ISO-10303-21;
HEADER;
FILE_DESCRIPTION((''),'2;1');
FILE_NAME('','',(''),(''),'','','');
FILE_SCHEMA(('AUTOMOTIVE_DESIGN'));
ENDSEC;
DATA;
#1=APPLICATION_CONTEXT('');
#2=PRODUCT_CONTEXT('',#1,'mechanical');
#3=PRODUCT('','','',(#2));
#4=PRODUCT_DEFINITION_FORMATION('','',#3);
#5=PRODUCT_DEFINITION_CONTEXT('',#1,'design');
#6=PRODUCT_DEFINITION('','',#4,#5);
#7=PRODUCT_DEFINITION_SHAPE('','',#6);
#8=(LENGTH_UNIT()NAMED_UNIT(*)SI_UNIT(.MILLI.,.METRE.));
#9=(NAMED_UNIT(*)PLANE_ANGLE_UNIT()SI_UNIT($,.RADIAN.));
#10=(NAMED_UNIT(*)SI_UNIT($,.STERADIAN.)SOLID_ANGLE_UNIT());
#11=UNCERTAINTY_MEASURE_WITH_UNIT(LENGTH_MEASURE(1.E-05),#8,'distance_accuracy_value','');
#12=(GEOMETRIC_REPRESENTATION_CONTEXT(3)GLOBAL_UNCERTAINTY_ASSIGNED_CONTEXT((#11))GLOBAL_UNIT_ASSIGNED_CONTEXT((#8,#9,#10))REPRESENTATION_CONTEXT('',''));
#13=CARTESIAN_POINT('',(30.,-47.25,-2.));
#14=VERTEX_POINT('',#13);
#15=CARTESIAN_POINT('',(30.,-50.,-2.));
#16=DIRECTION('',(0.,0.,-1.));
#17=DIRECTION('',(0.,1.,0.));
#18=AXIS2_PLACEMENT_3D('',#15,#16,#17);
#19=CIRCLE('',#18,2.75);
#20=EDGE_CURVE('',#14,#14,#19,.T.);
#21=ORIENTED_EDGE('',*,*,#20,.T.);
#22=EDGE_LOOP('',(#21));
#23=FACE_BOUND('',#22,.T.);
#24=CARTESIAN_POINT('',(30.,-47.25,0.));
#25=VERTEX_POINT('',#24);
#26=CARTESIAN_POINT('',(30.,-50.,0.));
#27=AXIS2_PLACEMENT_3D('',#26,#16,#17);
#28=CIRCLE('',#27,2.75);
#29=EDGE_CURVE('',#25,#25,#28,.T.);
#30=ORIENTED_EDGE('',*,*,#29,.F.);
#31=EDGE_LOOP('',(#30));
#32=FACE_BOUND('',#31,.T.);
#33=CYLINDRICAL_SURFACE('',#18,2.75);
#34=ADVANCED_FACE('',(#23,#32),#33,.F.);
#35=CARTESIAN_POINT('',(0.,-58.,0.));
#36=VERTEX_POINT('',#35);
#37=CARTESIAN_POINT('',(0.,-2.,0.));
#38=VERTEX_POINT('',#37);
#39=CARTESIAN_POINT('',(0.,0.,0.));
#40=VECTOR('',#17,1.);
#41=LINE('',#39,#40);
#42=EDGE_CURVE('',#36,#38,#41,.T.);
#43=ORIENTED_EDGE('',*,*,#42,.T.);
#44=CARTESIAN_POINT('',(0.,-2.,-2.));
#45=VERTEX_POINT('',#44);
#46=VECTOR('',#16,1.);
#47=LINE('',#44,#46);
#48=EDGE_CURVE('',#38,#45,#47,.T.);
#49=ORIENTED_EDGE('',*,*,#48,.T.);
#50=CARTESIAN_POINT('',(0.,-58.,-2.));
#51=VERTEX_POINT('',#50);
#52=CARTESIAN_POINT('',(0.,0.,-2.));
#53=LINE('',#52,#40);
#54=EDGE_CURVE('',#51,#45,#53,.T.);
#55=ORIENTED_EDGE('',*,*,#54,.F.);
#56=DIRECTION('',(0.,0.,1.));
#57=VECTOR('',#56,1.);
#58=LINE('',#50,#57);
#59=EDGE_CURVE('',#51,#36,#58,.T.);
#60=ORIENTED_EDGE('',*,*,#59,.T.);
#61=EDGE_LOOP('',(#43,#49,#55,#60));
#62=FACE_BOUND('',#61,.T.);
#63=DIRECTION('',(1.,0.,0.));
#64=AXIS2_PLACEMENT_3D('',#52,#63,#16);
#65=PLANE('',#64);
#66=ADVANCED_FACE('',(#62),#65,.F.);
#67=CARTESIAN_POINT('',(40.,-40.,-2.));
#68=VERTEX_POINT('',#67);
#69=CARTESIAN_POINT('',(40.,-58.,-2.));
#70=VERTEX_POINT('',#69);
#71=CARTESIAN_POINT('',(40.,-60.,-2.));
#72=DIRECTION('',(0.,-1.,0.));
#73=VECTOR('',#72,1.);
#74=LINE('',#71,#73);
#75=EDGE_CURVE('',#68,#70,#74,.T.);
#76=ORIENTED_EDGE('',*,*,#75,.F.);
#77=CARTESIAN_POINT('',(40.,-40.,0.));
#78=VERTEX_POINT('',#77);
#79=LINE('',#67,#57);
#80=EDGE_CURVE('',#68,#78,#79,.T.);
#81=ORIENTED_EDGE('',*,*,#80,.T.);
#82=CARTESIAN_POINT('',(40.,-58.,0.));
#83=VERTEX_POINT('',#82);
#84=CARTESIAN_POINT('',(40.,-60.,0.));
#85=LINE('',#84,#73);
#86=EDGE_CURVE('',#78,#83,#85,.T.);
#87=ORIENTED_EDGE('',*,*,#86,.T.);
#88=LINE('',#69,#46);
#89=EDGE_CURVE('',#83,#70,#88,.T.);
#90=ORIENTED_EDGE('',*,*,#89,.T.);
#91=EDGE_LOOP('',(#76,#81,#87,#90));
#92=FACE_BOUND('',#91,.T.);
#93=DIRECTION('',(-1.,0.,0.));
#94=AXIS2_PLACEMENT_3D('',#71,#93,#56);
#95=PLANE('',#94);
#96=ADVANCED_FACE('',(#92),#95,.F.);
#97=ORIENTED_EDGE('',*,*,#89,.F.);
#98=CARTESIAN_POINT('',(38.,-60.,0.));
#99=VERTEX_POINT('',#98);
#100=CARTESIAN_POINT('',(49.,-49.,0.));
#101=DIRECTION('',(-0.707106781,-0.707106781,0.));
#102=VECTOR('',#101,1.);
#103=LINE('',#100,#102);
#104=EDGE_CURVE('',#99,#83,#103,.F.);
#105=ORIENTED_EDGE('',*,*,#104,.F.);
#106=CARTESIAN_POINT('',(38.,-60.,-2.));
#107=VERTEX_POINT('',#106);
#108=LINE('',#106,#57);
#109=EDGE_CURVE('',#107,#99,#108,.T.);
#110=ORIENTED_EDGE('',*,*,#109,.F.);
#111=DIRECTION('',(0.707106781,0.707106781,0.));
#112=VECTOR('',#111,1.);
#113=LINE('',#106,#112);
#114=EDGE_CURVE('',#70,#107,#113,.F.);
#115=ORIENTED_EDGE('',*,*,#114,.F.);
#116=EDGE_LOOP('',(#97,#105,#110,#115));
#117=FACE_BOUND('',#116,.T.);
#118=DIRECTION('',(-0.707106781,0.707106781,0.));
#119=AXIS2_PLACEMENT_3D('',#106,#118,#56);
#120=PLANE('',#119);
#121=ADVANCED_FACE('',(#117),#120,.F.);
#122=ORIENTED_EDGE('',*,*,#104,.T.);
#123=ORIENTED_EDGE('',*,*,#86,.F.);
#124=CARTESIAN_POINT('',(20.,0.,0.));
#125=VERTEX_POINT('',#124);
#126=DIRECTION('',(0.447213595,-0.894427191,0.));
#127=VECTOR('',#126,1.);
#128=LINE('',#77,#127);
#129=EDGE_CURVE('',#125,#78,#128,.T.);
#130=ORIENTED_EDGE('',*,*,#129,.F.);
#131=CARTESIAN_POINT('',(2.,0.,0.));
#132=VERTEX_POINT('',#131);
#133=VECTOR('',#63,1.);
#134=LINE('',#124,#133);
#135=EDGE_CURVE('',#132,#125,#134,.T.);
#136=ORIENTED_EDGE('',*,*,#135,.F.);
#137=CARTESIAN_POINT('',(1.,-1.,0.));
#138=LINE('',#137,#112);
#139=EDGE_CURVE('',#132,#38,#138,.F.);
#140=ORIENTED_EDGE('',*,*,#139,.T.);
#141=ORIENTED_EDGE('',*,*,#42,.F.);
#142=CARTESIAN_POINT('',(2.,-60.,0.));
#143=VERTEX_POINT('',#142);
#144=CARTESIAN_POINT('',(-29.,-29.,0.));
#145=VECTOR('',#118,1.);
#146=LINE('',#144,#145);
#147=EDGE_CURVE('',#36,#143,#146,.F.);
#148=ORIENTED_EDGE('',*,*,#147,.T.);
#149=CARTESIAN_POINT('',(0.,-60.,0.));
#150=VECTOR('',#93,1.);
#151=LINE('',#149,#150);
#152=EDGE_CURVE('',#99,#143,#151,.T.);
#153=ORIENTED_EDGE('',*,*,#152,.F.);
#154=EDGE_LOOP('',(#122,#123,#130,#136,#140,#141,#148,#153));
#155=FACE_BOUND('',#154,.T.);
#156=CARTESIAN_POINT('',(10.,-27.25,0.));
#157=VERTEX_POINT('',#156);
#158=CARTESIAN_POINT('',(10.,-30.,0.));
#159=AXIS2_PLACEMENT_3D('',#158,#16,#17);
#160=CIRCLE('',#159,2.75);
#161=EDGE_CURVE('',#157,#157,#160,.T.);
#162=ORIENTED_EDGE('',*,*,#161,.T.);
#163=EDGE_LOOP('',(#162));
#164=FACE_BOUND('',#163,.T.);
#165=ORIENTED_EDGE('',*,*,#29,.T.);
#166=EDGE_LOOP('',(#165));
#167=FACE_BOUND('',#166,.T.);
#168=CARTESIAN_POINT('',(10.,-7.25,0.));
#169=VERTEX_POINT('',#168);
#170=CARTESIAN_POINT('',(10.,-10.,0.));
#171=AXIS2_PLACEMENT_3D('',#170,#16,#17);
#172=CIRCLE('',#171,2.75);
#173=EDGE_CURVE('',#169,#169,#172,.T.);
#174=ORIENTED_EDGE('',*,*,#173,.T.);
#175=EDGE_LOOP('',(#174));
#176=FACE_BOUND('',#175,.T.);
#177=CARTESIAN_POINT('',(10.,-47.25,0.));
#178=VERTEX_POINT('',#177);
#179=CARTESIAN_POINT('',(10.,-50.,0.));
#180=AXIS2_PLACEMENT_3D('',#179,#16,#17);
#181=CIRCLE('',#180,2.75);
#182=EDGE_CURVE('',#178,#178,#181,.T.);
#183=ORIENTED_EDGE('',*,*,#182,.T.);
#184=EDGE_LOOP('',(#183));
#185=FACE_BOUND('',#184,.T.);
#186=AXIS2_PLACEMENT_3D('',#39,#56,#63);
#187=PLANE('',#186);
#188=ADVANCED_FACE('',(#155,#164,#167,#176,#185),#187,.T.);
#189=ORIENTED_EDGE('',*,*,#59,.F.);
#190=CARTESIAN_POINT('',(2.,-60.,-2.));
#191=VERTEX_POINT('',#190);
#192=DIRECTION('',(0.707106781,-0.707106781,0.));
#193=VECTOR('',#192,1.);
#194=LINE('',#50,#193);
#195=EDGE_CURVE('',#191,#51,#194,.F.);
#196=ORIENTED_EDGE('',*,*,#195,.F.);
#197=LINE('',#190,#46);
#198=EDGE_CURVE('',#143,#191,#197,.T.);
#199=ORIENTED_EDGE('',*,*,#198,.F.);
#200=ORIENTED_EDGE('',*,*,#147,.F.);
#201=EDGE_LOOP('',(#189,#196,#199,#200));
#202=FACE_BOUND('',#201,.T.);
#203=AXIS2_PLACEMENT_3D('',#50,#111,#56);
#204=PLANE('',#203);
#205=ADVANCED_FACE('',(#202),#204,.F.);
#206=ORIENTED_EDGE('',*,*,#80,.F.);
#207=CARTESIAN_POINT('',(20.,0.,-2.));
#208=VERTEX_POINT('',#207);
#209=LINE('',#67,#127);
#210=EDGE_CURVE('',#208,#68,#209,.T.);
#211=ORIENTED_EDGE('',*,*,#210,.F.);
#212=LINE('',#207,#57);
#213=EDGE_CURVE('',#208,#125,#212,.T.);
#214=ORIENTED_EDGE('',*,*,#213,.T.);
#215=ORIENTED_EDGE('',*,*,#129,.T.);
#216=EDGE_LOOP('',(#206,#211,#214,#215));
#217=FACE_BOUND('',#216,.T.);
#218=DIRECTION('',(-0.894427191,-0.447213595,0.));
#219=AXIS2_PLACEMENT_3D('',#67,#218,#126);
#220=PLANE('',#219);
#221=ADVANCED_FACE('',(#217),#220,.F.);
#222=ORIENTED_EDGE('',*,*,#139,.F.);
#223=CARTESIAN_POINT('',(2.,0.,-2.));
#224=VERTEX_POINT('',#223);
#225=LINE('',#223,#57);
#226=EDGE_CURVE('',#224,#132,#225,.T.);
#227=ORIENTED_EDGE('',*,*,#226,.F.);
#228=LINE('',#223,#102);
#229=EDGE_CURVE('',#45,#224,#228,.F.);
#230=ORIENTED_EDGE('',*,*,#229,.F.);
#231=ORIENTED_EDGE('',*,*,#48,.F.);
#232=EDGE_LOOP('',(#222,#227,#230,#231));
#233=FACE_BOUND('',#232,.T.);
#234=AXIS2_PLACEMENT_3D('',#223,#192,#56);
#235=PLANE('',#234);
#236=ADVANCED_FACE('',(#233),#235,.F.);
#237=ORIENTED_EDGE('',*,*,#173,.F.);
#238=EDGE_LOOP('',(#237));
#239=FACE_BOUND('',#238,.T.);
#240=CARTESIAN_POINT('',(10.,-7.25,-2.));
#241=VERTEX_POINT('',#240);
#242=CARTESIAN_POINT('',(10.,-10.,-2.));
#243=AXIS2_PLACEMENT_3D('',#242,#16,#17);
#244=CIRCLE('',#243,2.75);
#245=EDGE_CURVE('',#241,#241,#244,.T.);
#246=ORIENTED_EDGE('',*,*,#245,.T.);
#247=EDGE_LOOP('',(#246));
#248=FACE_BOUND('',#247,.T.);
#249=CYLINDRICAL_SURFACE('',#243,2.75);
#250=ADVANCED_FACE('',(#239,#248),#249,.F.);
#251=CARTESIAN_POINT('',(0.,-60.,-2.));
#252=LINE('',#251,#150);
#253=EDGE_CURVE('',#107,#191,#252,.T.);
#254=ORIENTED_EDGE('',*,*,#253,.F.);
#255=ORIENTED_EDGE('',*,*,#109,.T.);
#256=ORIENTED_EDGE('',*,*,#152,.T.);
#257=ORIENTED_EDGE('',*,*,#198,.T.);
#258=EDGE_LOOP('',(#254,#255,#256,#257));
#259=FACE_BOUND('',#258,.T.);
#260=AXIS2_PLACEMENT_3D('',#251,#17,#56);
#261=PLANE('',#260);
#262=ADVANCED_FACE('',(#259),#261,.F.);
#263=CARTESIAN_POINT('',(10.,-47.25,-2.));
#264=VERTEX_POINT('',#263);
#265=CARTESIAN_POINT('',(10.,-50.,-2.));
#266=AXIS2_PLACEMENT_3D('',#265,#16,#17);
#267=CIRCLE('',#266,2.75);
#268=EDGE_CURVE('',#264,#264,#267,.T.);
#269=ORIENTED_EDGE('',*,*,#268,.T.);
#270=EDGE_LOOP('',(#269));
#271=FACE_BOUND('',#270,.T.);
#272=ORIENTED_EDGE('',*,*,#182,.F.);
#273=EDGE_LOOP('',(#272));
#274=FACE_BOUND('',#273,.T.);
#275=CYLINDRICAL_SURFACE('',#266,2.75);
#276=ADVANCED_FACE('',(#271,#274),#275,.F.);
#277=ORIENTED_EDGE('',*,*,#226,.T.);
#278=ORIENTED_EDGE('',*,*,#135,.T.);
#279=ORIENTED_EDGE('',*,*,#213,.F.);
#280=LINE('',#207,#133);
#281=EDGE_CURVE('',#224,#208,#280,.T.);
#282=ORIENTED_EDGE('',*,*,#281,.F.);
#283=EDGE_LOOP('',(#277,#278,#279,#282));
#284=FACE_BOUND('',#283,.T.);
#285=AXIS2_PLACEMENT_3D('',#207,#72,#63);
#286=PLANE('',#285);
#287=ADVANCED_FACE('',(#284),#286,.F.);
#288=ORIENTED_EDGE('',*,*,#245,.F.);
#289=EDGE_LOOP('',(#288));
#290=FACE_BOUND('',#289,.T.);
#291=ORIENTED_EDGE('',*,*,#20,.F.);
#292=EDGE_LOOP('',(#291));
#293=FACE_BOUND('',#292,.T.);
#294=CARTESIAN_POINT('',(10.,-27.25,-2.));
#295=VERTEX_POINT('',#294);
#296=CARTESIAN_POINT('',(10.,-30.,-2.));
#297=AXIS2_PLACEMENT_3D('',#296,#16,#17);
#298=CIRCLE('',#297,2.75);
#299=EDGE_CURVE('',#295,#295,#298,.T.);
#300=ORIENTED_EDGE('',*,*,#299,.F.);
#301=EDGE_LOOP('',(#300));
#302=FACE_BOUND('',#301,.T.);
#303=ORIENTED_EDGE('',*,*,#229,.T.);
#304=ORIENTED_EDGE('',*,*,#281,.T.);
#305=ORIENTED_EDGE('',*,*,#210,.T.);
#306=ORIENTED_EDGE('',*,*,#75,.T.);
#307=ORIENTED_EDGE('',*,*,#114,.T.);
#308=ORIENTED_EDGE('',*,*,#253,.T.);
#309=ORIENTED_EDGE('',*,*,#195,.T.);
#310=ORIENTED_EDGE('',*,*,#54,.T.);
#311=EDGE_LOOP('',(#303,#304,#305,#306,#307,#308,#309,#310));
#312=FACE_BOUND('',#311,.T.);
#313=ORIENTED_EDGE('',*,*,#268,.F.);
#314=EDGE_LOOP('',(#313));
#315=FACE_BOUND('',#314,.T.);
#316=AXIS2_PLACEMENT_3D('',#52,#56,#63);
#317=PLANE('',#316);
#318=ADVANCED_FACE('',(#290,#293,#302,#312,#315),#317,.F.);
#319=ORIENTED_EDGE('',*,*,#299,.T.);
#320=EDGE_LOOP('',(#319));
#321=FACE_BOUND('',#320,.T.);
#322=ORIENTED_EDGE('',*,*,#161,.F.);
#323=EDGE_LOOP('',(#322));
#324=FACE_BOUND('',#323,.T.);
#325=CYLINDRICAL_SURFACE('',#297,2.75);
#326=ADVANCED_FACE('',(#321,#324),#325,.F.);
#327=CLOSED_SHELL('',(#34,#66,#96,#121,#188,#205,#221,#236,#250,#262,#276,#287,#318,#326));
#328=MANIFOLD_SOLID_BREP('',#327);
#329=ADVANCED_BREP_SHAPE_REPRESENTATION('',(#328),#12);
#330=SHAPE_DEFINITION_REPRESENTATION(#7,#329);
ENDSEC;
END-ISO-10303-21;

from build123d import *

# Parameters (mm, degrees)
EXTRUDE_1_DEPTH   = 2
HOLE_WIZARD_M51_D = 5.5
CHAMFER_1_SIZE    = 2


with BuildPart() as part:
    # Эскиз1 → Бобышка-Вытянуть1 (new body)
    with BuildSketch(Plane(origin=(0, 0, 0), x_dir=(1, 0, 0), z_dir=(0, 0, -1))):
        Polygon((0, 0), (0, 60), (40, 60), (40, 40), (20, 0), align=None)
    extrude(amount=EXTRUDE_1_DEPTH)

    # Отверстие с зазором M51 (through all)
    with Locations(Plane(origin=(0, 0, -2), x_dir=(1, 0, 0), z_dir=(0, 0, -1))):
        with Locations((30, 50), (10, 50), (10, 30), (10, 10)):
            Hole(HOLE_WIZARD_M51_D / 2)

    # Фаска1
    chamfer_1_edges = [part.edges().sort_by_distance(p)[0] for p in [
        (0, 0, -1),
        (0, -60, -1),
        (40, -60, -1),
    ]]
    chamfer(chamfer_1_edges, length=CHAMFER_1_SIZE)


solid = part.part
